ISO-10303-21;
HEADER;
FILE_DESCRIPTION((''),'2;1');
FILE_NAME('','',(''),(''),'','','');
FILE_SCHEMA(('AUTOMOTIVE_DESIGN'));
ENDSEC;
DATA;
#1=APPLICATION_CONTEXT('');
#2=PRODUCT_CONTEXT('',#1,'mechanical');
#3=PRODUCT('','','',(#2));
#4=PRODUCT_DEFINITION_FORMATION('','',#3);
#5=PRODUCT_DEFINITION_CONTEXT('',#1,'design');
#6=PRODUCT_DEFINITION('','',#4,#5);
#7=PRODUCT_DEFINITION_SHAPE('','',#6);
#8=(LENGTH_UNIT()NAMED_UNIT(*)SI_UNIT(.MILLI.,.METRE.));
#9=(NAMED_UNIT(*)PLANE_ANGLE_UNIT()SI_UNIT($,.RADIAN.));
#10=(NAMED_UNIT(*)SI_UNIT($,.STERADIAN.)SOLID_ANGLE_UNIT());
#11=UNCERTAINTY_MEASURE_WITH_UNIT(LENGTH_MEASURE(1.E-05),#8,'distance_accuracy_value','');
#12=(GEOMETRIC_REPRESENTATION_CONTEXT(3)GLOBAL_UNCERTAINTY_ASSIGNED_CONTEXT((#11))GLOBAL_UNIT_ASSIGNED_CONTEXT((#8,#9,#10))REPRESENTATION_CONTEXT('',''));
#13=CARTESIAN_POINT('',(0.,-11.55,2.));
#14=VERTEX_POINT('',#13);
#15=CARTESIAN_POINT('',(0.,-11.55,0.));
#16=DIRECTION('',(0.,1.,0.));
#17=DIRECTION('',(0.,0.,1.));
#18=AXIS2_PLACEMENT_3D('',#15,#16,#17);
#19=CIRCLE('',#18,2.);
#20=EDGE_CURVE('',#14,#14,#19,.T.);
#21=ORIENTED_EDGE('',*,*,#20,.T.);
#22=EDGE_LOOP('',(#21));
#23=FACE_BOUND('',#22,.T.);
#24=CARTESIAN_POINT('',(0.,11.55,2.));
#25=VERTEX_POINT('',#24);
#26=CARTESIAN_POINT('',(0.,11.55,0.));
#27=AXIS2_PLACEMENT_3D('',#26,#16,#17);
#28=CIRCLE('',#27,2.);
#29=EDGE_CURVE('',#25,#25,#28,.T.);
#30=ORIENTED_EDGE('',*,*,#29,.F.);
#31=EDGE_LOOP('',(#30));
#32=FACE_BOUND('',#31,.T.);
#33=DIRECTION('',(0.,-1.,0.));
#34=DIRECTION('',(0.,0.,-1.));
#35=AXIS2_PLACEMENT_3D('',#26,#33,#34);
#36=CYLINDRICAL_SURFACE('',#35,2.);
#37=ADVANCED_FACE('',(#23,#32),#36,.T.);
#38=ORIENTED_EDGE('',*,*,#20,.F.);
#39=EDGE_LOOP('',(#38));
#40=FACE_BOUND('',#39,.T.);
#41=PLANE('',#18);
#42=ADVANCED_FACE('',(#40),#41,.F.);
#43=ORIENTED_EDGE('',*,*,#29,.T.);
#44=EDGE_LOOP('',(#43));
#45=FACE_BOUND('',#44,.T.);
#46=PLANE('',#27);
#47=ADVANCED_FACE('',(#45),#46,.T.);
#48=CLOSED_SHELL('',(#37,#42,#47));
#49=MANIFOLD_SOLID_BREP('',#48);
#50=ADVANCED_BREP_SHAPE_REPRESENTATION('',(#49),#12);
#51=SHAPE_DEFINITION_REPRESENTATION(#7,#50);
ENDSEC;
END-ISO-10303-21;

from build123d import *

# Parameters (mm, degrees)
SKETCH1_R           = 2
BOSS_EXTRUDE1_DEPTH = 11.55


with BuildPart() as part:
    # Sketch1 → Boss-Extrude1 (new body, symmetric)
    with BuildSketch(Plane(origin=(0, 0, 0), x_dir=(1, 0, 0), z_dir=(0, 1, 0))):
        Circle(SKETCH1_R)
    extrude(amount=BOSS_EXTRUDE1_DEPTH, both=True)


solid = part.part
